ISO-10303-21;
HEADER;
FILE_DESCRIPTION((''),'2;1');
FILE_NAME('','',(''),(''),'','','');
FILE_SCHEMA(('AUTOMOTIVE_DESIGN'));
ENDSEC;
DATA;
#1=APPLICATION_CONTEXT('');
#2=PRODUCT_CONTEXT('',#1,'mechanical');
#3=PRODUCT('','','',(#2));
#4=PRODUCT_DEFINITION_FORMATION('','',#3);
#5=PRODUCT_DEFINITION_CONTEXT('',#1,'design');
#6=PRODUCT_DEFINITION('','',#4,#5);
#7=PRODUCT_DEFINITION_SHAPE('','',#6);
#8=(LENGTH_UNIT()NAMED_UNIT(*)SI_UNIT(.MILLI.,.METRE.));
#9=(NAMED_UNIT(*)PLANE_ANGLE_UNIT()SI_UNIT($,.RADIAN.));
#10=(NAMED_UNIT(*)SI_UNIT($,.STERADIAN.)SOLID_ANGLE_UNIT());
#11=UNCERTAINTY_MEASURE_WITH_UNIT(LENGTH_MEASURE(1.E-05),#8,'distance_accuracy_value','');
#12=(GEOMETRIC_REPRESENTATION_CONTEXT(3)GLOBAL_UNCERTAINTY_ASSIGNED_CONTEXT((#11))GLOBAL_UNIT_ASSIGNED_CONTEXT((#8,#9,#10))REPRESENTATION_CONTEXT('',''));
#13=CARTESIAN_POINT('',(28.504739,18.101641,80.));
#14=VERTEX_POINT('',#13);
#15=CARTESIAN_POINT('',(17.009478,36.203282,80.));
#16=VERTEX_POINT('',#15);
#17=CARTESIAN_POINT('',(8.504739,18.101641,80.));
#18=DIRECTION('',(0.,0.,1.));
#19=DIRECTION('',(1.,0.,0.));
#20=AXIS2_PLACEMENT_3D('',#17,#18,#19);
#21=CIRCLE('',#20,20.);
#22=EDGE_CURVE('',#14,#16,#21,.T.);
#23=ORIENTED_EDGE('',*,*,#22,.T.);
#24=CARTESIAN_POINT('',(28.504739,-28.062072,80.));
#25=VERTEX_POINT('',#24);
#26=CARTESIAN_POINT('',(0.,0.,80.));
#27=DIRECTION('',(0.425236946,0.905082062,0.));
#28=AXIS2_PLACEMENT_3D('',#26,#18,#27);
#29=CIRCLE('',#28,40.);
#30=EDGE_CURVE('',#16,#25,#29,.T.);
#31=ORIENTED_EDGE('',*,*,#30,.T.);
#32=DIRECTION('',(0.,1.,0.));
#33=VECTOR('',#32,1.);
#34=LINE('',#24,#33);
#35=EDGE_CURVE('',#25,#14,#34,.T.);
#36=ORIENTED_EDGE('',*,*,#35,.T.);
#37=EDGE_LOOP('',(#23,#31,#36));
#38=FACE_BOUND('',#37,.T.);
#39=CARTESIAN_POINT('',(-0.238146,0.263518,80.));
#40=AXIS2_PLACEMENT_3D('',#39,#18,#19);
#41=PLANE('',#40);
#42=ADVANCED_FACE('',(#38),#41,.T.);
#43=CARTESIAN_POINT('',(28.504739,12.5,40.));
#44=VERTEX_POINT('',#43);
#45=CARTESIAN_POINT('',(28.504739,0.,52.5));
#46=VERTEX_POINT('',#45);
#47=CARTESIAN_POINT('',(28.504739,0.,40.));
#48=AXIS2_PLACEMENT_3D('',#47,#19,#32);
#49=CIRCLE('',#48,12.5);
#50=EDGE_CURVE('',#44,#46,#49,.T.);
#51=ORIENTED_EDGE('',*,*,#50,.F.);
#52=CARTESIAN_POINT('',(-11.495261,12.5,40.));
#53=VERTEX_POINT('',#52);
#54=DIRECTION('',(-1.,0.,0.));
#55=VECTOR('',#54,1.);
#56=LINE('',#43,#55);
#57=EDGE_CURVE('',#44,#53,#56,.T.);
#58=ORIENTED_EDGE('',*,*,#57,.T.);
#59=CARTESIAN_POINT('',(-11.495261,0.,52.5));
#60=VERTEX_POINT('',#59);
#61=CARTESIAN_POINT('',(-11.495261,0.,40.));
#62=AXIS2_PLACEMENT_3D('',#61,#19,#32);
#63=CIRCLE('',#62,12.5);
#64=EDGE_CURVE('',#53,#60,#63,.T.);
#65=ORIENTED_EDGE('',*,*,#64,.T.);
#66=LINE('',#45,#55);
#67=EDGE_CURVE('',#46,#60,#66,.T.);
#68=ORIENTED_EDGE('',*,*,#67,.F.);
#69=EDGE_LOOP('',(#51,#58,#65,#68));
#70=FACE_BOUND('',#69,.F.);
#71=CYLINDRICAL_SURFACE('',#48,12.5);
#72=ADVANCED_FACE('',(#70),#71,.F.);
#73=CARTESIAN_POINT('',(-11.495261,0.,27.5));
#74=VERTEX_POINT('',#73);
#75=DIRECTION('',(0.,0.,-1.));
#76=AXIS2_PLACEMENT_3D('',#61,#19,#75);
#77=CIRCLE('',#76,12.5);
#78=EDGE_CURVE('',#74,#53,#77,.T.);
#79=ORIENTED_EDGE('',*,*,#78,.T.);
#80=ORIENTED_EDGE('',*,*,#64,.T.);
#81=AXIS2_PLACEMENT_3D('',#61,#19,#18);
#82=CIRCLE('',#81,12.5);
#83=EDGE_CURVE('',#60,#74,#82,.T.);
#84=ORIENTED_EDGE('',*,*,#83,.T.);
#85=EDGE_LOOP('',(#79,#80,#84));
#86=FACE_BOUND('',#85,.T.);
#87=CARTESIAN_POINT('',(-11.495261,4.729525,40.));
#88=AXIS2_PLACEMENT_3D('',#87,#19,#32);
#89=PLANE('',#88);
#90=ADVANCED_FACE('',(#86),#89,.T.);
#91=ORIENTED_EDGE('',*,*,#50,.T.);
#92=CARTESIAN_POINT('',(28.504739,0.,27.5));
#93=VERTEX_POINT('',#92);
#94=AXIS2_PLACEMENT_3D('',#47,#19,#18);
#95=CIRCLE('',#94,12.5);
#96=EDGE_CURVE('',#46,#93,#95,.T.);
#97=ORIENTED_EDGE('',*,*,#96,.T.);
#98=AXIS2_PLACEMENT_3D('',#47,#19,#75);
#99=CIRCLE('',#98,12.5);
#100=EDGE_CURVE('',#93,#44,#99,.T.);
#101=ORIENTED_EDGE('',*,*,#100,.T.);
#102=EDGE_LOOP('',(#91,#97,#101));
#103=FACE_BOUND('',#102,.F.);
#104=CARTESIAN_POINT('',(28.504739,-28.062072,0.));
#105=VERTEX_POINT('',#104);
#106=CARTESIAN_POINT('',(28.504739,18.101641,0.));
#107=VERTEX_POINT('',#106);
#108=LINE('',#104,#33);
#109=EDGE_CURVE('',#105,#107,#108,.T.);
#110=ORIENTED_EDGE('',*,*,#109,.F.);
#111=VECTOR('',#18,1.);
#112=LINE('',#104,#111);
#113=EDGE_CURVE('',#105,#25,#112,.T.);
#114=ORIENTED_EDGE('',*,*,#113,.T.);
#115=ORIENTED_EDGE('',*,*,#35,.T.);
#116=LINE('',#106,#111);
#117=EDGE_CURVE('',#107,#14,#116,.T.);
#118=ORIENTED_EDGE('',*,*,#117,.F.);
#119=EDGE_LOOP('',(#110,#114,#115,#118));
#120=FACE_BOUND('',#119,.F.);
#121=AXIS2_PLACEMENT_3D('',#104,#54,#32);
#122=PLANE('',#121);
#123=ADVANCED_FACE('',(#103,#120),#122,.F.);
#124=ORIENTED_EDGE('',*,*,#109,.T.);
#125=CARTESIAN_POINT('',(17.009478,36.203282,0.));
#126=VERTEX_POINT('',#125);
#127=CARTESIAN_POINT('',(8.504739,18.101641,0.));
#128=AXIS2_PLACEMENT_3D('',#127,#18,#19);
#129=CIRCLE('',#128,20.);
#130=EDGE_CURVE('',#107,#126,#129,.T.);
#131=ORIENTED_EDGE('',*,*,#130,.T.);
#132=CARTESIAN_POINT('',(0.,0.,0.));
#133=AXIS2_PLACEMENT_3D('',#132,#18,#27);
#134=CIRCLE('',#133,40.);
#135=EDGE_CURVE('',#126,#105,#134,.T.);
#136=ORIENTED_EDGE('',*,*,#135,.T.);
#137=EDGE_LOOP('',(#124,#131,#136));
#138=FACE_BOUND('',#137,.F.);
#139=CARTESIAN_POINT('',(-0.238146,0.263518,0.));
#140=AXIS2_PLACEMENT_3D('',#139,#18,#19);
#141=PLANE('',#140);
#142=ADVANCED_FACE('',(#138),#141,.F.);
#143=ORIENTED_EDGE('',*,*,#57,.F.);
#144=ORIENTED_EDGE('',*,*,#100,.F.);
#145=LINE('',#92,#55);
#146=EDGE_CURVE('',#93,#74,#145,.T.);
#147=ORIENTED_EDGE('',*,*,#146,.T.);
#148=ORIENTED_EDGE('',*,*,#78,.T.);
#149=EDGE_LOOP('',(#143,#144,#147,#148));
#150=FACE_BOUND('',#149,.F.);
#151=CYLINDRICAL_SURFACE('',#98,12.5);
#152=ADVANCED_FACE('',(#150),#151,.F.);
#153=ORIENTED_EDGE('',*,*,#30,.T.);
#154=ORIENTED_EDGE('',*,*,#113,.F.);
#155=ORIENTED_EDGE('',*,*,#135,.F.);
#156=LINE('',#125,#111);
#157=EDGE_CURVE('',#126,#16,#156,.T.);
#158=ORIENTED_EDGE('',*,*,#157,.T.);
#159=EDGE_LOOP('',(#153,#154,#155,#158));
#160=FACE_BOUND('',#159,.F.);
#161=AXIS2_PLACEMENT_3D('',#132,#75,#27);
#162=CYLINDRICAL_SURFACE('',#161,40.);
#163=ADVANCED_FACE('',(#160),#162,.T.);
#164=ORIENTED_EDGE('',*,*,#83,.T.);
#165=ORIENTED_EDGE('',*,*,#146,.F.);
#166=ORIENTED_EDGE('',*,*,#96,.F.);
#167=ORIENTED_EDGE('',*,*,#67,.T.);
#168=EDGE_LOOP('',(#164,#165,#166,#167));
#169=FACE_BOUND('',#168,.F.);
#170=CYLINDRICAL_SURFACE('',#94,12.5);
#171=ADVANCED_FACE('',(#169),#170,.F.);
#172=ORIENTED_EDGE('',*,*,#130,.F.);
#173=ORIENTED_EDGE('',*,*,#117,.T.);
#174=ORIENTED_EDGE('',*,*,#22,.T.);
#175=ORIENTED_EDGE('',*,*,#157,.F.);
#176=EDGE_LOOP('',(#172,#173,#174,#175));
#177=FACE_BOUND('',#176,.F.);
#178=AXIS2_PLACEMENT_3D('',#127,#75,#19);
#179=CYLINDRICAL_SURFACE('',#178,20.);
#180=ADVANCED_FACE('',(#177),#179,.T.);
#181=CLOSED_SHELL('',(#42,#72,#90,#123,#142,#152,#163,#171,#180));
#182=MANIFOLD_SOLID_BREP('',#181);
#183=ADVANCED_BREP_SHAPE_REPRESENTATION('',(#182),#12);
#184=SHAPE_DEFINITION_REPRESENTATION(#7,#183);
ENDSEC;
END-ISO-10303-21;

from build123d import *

# Parameters (mm, degrees)
F1_DEPTH = 80
F3_DEPTH = 40


with BuildPart() as f1:
    # F0 (on Top) → F1 (new body)
    with BuildSketch(Plane.XY):
        with BuildLine():
            ThreePointArc((28.5047389285, 18.1016412449), (25.3880854357, 28.8232367752), (17.0094778569, 36.2032824898))
            ThreePointArc((17.0094778569, 36.2032824898), (-39.3750544667, -7.043087799), (28.5047389285, -28.0620715312))
            Line((28.5047389285, -28.0620715312), (28.5047389285, 18.1016412449))
        make_face()
    extrude(amount=F1_DEPTH)

    # F2 (on face) → F3 (cut)
    with BuildSketch(Plane.YZ.offset(28.5047389285)):
        with BuildLine():
            ThreePointArc((12.5, 40), (8.8388347648, 48.8388347648), (0, 52.5))
            Line((0, 52.5), (0, 27.5))
            ThreePointArc((0, 27.5), (8.8388347648, 31.1611652352), (12.5, 40))
        make_face()
        with BuildLine():
            Line((0, 27.5), (0, 52.5))
            ThreePointArc((0, 52.5), (-12.5, 40), (0, 27.5))
        make_face()
    extrude(amount=-F3_DEPTH, mode=Mode.SUBTRACT)


solid = f1.part
